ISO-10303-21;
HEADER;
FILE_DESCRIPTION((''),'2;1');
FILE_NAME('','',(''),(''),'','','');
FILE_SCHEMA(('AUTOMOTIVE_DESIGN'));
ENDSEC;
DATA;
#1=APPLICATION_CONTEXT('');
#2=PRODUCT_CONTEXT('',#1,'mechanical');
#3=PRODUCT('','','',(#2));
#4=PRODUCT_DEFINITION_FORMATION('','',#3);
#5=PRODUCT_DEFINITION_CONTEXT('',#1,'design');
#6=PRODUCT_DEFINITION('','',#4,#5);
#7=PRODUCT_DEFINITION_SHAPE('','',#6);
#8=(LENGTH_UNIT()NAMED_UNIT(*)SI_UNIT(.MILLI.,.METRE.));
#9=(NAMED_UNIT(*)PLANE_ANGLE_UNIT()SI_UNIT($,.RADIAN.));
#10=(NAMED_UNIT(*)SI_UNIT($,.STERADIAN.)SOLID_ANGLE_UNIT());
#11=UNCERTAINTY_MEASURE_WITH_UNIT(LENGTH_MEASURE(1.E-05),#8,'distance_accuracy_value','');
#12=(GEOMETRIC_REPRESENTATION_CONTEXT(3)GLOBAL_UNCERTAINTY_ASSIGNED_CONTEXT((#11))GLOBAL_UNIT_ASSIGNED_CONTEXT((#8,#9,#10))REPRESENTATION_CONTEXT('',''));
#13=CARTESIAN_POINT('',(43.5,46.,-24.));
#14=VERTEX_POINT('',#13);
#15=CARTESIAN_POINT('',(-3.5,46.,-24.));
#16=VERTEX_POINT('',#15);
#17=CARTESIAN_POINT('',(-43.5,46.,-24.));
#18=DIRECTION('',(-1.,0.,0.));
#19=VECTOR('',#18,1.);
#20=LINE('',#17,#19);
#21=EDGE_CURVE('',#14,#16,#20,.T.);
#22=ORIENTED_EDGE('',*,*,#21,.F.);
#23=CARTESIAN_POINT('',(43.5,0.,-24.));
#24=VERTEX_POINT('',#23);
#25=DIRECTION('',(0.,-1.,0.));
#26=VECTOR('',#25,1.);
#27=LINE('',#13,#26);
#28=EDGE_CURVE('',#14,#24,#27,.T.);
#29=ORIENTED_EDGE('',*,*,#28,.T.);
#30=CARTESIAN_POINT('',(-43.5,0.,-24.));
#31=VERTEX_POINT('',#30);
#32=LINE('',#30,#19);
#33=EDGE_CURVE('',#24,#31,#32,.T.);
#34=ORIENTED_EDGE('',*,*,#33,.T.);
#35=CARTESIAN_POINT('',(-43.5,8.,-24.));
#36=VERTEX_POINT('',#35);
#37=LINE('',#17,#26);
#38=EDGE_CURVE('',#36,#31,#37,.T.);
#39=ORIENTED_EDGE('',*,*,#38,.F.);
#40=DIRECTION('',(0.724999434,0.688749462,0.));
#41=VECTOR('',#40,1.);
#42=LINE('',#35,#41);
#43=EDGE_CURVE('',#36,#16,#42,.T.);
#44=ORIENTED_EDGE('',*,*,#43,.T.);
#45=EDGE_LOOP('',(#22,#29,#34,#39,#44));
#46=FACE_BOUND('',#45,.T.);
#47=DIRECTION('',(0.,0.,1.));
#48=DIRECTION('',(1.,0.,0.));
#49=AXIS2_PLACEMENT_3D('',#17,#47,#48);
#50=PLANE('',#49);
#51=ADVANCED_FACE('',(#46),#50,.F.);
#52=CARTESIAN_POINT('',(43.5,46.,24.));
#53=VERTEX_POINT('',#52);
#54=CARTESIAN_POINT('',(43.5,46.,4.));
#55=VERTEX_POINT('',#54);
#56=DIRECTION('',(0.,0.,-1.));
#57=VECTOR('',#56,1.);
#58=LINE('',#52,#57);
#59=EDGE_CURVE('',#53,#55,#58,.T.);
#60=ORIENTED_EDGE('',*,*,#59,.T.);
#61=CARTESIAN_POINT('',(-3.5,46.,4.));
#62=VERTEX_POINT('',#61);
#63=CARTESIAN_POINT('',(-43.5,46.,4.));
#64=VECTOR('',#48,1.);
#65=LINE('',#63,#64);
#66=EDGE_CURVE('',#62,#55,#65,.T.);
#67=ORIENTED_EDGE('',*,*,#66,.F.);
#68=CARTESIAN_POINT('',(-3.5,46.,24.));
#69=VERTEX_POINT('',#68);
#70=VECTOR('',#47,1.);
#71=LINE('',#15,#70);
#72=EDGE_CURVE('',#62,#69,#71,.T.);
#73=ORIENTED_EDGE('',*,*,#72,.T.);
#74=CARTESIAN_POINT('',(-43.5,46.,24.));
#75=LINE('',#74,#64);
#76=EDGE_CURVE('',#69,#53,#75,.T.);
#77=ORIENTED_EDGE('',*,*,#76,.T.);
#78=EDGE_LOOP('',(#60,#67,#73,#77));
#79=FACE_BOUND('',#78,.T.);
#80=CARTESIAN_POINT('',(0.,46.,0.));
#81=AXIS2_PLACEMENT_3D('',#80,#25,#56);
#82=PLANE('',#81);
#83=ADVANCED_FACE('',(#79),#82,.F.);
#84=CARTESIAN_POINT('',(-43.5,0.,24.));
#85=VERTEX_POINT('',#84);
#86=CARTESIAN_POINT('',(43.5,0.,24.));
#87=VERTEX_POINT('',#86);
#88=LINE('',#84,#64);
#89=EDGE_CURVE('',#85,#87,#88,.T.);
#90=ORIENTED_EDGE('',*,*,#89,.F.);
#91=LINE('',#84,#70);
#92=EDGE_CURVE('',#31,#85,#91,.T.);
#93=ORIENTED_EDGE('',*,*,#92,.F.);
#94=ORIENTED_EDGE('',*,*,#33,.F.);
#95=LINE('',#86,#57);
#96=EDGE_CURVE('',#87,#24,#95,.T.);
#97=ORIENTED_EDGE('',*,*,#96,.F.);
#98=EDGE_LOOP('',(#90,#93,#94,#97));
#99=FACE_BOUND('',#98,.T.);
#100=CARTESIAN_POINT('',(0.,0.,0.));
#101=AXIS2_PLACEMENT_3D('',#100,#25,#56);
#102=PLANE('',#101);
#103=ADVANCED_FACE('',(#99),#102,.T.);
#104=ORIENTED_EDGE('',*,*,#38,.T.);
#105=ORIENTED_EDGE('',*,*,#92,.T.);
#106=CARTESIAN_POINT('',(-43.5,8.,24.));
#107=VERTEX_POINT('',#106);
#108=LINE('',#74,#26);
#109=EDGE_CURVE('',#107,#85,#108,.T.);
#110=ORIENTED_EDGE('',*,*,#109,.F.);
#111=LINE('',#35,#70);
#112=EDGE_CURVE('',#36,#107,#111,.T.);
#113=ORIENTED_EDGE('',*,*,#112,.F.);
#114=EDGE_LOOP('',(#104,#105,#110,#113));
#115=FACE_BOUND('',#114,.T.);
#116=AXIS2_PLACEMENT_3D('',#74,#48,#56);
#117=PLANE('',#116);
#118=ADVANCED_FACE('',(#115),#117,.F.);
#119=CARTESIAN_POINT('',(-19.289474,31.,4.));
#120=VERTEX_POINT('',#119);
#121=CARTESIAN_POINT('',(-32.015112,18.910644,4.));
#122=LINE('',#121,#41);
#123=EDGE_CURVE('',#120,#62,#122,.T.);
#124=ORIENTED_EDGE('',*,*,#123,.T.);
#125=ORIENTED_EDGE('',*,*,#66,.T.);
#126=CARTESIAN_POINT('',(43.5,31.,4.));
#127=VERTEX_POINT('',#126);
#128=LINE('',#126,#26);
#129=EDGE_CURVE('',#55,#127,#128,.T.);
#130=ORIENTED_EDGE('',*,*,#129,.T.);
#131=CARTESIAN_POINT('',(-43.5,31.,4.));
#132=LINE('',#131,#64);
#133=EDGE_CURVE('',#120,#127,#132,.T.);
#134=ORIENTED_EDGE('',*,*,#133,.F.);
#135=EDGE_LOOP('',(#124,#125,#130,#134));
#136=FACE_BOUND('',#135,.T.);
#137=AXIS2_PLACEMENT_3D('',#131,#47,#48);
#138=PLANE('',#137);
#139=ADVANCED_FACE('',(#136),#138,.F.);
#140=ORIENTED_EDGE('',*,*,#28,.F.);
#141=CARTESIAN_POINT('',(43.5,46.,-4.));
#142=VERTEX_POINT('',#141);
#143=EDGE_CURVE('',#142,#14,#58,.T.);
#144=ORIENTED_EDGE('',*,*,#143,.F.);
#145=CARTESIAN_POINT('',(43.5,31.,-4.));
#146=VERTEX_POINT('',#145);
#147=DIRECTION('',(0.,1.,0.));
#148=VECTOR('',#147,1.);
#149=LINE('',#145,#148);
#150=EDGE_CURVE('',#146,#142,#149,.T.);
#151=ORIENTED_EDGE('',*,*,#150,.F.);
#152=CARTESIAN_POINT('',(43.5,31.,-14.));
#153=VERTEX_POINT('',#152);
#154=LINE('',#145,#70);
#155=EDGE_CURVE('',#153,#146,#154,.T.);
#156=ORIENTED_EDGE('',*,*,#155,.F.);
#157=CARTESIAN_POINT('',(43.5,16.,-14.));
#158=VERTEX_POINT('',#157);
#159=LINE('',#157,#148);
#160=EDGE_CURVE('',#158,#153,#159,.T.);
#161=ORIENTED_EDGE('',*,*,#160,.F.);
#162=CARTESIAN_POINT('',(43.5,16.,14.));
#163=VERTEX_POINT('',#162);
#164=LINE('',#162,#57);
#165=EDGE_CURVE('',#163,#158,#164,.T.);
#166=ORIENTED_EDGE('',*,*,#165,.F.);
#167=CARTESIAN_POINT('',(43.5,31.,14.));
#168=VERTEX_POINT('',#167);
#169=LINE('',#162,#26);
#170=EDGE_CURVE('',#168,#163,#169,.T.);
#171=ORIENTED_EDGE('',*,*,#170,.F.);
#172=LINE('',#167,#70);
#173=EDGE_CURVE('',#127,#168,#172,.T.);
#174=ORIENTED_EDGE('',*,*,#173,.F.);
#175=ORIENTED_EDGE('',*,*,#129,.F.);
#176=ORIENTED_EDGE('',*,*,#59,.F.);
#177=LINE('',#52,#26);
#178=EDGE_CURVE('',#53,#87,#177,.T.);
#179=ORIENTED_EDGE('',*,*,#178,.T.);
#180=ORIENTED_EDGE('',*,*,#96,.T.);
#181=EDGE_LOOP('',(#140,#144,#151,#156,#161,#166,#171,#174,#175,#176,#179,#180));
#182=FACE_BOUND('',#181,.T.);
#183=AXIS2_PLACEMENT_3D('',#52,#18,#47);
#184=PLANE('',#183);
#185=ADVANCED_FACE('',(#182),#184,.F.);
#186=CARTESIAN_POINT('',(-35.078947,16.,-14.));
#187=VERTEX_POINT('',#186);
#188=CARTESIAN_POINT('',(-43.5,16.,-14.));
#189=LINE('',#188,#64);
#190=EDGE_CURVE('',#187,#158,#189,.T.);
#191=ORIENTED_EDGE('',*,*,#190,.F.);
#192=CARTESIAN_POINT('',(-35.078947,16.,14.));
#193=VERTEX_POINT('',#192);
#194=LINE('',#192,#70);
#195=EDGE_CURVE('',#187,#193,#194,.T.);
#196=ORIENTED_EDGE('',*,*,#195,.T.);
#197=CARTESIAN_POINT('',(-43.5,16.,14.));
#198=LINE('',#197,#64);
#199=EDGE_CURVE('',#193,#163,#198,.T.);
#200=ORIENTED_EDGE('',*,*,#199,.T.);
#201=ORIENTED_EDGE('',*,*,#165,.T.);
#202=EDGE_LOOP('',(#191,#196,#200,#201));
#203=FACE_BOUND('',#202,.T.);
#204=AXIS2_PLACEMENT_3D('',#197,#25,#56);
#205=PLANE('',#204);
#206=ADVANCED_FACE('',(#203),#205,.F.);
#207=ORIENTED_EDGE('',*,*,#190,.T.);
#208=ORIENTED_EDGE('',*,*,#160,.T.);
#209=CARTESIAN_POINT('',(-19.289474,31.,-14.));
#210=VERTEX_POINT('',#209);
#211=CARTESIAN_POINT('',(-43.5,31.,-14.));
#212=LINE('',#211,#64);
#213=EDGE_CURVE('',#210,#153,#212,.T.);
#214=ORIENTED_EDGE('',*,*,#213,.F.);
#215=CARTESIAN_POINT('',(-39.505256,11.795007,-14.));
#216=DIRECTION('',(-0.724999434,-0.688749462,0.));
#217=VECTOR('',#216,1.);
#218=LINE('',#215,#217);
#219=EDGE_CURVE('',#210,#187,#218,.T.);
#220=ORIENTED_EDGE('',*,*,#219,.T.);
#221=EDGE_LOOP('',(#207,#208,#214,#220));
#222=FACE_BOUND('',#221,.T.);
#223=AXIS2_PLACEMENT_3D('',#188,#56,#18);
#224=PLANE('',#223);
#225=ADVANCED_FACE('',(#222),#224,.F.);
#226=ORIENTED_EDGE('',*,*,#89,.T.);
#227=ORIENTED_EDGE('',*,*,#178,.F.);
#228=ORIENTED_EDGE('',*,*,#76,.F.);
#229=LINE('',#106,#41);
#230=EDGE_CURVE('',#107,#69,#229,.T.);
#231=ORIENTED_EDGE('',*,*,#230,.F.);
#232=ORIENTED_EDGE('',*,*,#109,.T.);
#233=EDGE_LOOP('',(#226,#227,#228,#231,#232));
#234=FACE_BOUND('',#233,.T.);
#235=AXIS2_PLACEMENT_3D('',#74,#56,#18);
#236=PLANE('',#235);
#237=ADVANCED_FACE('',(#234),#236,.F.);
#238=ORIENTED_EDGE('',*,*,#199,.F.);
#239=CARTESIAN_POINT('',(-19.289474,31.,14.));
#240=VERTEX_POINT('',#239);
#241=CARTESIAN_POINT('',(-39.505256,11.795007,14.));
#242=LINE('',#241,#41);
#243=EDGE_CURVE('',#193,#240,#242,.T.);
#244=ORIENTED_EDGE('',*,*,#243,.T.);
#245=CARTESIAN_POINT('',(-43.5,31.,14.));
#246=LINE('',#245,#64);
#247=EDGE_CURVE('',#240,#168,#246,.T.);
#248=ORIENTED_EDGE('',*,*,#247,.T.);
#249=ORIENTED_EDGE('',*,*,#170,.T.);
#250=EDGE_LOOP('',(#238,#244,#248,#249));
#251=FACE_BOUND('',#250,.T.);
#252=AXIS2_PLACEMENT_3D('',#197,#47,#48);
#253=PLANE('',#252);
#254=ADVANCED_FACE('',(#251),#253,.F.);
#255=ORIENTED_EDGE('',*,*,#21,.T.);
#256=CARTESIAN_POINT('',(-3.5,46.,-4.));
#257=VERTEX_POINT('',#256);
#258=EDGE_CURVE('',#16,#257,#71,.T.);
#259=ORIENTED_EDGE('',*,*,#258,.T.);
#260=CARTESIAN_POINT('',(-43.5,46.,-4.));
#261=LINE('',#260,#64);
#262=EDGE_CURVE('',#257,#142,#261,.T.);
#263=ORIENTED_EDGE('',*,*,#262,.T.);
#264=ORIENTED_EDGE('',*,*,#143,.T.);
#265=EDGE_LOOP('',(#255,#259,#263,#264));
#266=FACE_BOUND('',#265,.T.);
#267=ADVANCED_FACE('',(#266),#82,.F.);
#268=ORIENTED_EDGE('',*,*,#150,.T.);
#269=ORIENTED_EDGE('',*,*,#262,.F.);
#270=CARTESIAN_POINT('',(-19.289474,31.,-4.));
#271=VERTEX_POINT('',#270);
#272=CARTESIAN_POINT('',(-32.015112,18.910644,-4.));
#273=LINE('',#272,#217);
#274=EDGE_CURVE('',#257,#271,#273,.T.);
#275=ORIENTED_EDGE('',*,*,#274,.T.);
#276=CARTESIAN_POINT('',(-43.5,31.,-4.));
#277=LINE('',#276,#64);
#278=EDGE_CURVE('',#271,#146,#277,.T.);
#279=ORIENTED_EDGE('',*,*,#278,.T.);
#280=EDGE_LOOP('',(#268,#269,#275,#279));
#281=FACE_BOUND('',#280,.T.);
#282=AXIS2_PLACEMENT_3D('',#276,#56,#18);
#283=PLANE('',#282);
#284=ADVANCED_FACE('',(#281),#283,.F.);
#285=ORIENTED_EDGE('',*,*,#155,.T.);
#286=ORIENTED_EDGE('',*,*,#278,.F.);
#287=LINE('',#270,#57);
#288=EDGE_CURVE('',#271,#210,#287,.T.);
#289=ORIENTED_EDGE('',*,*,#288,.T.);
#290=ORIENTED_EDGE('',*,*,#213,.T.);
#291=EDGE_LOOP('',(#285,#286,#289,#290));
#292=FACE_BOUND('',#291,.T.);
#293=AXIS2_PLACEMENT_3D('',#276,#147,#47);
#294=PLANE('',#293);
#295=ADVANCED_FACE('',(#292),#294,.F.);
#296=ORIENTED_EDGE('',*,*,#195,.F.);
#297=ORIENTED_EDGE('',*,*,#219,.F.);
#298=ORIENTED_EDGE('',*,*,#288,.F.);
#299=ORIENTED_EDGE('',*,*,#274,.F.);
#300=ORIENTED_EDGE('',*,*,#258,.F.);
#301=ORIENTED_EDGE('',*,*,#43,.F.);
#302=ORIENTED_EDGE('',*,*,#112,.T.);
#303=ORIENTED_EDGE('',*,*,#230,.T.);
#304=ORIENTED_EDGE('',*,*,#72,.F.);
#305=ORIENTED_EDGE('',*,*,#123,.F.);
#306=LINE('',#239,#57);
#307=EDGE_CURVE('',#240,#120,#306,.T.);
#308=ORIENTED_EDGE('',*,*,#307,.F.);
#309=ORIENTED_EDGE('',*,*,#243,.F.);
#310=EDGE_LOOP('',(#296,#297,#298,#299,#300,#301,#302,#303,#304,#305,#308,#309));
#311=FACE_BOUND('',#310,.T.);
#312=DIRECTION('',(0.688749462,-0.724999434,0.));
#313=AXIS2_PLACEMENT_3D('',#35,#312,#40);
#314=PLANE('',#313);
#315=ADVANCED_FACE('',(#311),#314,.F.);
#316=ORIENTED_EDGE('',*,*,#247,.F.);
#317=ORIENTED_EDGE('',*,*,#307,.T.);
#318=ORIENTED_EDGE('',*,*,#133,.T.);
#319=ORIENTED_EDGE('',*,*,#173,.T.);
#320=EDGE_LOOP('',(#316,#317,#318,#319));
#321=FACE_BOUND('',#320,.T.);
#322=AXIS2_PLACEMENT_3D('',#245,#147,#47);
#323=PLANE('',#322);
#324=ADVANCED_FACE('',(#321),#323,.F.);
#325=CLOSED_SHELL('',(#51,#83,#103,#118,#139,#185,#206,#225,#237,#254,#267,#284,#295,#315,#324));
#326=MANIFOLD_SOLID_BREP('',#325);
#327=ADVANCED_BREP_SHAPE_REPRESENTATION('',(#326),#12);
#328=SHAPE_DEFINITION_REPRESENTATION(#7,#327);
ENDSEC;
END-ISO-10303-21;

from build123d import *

# Parameters (mm, degrees)
SKETCH1_W               = 87
SKETCH1_H               = 48
BOSS_EXTRUDE1_DEPTH     = 46
CUT_EXTRUDE1_DEPTH      = 68.707089732
CUT_EXTRUDE1_DEPTH_BACK = 68.707089732
CUT_EXTRUDE2_DEPTH      = 68.707089732
CUT_EXTRUDE2_DEPTH_BACK = 68.707089732


with BuildPart() as part:
    # Sketch1 → Boss-Extrude1 (new body)
    with BuildSketch(Plane(origin=(0, 0, 0), x_dir=(1, 0, 0), z_dir=(0, 1, 0))):
        Rectangle(SKETCH1_W, SKETCH1_H)
    extrude(amount=BOSS_EXTRUDE1_DEPTH)

    # Sketch2 → Cut-Extrude1 (cut, two sides: drawn at the far end of the back side and taken through both)
    with BuildSketch(Plane(origin=(0, 0, 0), x_dir=(0, 0, -1), z_dir=(1, 0, 0)).offset(-CUT_EXTRUDE1_DEPTH_BACK)):
        Polygon((4, 31), (14, 31), (14, 16), (-14, 16), (-14, 31), (-4, 31), (-4, 46), (4, 46), align=None)
    extrude(amount=CUT_EXTRUDE1_DEPTH + CUT_EXTRUDE1_DEPTH_BACK, mode=Mode.SUBTRACT)

    # Sketch3 → Cut-Extrude2 (cut, two sides: drawn at the far end of the back side and taken through both)
    with BuildSketch(Plane.XY.offset(-CUT_EXTRUDE2_DEPTH_BACK)):
        Polygon((-43.5, 46), (-43.5, 8), (-3.5, 46), align=None)
    extrude(amount=CUT_EXTRUDE2_DEPTH + CUT_EXTRUDE2_DEPTH_BACK, mode=Mode.SUBTRACT)


solid = part.part
